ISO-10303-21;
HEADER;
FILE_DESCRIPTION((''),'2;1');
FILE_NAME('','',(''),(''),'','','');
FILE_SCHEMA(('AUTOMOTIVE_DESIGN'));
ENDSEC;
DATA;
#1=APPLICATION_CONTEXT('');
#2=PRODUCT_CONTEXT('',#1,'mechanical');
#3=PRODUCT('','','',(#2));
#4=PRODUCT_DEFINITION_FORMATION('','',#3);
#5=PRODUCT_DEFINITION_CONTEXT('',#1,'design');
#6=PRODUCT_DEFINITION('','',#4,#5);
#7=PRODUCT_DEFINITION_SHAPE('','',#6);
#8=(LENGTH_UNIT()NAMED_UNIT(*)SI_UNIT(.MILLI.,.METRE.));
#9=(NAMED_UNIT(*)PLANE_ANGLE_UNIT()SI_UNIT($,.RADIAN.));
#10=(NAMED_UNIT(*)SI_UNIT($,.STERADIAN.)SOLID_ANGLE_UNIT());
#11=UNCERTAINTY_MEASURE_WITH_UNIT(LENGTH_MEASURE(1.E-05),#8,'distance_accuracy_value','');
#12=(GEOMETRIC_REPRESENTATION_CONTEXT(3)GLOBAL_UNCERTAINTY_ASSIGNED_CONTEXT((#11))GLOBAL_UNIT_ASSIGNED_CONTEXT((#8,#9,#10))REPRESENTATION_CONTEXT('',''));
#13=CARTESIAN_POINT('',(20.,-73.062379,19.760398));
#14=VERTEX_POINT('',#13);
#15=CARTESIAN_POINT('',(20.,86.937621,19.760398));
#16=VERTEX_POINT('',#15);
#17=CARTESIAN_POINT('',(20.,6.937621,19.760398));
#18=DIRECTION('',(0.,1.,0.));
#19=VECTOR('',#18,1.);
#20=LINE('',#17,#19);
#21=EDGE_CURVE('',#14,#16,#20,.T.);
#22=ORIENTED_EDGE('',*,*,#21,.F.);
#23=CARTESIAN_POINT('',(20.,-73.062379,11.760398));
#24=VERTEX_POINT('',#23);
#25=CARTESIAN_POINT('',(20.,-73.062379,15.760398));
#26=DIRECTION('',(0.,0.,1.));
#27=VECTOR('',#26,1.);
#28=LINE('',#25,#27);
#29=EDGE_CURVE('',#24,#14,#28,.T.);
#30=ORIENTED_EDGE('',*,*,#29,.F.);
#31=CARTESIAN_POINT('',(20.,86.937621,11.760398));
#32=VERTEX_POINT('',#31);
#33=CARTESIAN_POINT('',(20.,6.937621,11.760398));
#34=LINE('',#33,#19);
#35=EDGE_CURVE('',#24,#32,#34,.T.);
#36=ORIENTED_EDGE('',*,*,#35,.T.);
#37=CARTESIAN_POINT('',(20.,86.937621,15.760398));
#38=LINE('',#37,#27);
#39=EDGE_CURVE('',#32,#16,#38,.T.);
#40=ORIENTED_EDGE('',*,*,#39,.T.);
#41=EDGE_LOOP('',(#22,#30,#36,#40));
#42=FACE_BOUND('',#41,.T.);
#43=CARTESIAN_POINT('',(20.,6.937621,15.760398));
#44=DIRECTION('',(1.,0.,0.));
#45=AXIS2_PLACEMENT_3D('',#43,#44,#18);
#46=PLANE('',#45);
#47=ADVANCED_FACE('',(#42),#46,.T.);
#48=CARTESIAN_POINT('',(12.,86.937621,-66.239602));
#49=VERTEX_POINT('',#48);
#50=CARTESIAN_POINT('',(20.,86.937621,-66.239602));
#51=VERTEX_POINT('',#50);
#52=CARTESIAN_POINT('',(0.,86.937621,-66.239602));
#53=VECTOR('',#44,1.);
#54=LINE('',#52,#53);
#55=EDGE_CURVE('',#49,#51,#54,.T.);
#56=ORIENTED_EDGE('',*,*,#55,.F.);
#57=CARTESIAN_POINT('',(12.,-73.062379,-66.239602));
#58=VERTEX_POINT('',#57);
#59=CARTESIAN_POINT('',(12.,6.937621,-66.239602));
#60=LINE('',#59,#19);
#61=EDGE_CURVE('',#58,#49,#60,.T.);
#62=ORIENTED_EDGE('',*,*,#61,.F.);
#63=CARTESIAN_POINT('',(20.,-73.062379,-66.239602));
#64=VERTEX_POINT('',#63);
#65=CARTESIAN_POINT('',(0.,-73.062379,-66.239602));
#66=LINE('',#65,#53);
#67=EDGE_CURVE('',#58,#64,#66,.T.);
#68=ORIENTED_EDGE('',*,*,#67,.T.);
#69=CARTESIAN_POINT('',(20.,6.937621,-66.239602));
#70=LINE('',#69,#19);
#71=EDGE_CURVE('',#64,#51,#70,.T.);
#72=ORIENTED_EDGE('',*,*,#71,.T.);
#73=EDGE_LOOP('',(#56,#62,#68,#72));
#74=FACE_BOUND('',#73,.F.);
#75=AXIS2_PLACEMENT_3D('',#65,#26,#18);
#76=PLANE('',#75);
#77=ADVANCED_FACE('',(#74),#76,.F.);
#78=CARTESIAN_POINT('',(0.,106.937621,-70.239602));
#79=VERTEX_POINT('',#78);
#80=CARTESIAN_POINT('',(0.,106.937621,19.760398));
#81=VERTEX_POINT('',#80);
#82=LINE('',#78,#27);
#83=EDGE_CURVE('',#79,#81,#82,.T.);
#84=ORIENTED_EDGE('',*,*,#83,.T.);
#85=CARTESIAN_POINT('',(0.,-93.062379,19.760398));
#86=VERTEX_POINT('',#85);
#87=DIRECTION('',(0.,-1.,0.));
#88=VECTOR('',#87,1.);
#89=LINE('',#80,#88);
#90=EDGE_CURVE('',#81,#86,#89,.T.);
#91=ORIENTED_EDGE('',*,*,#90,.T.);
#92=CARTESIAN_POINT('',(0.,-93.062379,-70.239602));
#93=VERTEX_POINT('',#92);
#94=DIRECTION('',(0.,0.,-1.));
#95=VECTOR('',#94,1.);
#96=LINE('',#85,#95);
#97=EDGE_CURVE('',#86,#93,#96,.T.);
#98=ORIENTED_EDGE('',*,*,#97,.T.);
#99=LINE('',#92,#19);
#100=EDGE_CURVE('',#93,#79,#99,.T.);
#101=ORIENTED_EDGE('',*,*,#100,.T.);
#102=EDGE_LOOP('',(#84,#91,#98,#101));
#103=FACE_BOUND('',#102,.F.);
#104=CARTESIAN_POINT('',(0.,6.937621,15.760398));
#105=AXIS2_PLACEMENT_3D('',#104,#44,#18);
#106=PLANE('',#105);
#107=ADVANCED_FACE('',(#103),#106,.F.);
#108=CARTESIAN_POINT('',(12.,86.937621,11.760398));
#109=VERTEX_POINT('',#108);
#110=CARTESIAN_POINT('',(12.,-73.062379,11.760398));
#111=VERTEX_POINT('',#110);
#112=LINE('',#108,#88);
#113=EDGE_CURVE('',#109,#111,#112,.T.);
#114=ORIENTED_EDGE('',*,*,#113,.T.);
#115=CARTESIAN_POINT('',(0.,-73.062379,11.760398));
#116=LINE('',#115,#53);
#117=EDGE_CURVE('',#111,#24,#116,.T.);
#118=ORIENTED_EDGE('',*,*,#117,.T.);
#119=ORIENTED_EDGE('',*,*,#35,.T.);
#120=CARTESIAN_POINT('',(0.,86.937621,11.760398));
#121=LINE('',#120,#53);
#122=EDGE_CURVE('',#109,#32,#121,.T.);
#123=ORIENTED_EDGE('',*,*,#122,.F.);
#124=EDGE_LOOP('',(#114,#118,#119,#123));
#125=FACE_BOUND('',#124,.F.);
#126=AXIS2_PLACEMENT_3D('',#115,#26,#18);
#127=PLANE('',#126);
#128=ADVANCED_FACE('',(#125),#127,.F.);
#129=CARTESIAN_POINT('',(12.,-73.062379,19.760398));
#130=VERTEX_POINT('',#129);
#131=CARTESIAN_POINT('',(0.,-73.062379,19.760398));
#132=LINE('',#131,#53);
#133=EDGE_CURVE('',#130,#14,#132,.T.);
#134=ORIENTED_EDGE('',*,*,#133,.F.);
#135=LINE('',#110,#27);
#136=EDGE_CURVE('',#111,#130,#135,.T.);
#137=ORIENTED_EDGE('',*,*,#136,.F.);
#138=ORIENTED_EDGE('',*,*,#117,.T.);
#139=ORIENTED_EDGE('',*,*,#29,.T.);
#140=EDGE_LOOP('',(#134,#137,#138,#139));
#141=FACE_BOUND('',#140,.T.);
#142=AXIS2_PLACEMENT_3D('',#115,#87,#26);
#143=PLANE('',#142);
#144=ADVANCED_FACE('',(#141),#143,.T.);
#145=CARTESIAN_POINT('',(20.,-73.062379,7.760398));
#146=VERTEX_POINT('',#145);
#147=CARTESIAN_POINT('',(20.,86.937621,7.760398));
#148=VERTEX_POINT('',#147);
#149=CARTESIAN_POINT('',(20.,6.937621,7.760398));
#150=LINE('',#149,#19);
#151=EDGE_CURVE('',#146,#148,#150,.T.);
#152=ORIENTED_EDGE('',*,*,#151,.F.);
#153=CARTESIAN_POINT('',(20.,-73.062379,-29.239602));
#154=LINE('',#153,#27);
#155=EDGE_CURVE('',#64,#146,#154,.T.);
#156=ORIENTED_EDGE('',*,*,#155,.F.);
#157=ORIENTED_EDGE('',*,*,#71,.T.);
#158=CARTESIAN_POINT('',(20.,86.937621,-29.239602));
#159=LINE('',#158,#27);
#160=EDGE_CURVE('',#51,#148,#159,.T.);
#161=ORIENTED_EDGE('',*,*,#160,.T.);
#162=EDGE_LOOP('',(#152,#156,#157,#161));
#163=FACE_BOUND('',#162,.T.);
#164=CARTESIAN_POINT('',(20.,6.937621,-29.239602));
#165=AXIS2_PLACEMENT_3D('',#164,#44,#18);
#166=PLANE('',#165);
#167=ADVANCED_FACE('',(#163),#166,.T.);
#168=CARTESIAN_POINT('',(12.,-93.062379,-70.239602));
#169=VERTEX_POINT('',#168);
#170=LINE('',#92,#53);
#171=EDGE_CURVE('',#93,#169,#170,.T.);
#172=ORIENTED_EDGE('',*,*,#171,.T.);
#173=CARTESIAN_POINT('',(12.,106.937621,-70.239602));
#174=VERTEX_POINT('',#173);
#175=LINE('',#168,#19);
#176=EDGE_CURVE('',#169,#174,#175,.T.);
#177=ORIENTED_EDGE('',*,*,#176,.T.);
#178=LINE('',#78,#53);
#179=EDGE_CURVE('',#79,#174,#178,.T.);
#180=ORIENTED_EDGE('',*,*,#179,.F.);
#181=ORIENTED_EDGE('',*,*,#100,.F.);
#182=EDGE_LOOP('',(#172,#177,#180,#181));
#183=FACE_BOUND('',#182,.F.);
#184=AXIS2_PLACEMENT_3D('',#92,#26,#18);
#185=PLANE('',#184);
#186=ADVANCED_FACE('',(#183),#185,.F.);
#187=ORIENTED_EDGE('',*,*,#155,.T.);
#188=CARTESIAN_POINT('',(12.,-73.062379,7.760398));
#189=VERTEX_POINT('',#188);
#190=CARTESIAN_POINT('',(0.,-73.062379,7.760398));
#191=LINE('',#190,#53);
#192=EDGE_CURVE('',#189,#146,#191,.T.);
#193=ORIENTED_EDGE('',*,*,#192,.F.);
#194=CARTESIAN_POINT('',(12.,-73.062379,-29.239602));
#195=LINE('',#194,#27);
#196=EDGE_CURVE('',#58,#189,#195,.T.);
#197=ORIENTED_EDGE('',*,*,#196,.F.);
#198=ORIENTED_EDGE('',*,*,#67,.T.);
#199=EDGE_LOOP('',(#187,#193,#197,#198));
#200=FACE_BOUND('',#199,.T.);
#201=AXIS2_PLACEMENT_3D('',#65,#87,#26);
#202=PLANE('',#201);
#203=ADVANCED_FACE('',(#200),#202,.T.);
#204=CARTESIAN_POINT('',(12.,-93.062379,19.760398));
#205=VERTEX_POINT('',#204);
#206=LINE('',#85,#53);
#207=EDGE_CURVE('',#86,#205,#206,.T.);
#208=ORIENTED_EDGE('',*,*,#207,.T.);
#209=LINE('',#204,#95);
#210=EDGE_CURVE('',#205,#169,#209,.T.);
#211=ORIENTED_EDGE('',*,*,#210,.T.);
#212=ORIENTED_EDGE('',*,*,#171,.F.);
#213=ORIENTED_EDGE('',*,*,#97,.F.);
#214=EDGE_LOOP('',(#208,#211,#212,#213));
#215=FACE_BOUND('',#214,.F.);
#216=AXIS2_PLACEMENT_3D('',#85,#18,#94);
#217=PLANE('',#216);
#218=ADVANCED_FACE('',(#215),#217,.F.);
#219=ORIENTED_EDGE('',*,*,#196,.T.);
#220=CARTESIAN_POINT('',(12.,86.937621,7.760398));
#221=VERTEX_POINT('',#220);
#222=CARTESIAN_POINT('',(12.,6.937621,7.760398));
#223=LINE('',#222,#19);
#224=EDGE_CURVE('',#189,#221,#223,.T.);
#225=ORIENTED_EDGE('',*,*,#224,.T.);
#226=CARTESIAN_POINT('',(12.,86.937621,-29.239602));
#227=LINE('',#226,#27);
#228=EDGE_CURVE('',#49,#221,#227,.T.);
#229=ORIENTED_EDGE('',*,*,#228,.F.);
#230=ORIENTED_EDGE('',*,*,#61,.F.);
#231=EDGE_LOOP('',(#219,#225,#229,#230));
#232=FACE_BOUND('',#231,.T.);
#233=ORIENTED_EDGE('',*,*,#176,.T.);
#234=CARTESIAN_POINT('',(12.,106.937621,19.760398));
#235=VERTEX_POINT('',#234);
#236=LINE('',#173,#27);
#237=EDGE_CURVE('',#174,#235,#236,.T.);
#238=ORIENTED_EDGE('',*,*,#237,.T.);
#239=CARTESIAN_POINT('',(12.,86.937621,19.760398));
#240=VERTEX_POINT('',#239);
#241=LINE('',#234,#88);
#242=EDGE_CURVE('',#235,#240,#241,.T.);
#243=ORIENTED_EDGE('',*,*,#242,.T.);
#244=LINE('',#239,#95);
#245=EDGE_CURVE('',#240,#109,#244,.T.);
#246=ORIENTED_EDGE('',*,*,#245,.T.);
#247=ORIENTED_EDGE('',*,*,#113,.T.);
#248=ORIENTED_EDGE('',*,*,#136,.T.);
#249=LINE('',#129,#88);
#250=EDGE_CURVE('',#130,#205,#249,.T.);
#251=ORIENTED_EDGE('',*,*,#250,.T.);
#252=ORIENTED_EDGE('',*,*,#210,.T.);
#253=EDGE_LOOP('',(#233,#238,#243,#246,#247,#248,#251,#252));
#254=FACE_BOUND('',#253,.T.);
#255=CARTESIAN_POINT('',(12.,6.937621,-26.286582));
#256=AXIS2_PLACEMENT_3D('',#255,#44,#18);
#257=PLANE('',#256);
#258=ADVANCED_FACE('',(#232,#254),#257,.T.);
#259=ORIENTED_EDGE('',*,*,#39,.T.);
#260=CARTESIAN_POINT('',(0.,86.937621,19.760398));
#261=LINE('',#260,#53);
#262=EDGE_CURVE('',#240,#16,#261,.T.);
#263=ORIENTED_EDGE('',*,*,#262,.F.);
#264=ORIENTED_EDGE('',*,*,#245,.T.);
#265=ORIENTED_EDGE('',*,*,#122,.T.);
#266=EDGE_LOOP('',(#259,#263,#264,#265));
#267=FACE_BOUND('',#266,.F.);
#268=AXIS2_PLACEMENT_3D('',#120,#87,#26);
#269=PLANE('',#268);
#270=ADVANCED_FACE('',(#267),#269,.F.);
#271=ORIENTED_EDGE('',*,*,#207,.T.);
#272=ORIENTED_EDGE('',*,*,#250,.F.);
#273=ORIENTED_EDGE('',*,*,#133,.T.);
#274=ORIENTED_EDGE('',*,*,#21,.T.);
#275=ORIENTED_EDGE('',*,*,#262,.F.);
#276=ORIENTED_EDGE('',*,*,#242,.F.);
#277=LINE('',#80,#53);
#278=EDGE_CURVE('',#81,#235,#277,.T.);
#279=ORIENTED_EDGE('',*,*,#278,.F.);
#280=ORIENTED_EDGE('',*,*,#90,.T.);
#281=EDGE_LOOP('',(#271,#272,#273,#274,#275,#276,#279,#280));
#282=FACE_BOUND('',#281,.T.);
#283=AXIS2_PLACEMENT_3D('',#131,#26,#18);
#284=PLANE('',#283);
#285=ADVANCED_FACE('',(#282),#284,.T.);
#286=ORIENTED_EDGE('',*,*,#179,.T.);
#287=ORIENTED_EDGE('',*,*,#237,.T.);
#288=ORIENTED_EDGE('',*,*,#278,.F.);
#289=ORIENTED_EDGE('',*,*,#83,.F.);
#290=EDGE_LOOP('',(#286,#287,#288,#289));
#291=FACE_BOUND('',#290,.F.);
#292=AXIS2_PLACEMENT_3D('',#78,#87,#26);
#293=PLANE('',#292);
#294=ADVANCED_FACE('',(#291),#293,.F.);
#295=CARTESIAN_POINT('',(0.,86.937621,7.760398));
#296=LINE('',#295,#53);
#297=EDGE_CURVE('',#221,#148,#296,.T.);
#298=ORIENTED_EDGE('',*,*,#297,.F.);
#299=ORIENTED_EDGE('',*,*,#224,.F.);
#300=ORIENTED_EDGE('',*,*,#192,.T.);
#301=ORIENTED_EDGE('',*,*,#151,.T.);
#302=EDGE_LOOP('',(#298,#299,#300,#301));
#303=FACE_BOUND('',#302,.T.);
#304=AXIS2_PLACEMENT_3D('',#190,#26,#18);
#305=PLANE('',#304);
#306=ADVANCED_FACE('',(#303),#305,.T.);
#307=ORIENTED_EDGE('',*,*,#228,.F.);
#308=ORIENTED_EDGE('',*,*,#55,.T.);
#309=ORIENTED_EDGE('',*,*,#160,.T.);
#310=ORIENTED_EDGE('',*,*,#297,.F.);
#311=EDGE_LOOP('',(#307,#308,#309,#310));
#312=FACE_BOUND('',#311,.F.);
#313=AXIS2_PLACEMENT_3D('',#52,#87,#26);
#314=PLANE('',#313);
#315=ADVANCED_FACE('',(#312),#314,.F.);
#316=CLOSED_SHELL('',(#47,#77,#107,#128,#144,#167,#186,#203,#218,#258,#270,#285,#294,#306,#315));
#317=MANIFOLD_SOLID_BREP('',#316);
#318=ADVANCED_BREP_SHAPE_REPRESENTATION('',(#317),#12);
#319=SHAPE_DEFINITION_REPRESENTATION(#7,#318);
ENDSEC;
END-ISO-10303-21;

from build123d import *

# Parameters (mm, degrees)
F0_W     = 160
F0_H     = 74
F1_DEPTH = 12
F0_H_2   = 8
F2_DEPTH = 20


with BuildPart() as f1:
    # F0 (on Right) → F1 (new body)
    with BuildSketch(Plane.YZ):
        Polygon((-73.062379, 19.760398), (-93.062379, 19.760398), (-93.062379, -70.239602), (106.937621, -70.239602), (106.937621, 19.760398), (86.937621, 19.760398), (86.937621, 11.760398), (-73.062379, 11.760398), align=None)
        with Locations((6.937621, -29.239602)):
            Rectangle(F0_W, F0_H, mode=Mode.SUBTRACT)
    extrude(amount=F1_DEPTH)

    # F0 (on Right) → F2 (join)
    with BuildSketch(Plane.YZ):
        with Locations((6.937621, 15.760398)):
            Rectangle(F0_W, F0_H_2)
        with Locations((6.937621, -29.239602)):
            Rectangle(F0_W, F0_H)
    extrude(amount=F2_DEPTH)


solid = f1.part
